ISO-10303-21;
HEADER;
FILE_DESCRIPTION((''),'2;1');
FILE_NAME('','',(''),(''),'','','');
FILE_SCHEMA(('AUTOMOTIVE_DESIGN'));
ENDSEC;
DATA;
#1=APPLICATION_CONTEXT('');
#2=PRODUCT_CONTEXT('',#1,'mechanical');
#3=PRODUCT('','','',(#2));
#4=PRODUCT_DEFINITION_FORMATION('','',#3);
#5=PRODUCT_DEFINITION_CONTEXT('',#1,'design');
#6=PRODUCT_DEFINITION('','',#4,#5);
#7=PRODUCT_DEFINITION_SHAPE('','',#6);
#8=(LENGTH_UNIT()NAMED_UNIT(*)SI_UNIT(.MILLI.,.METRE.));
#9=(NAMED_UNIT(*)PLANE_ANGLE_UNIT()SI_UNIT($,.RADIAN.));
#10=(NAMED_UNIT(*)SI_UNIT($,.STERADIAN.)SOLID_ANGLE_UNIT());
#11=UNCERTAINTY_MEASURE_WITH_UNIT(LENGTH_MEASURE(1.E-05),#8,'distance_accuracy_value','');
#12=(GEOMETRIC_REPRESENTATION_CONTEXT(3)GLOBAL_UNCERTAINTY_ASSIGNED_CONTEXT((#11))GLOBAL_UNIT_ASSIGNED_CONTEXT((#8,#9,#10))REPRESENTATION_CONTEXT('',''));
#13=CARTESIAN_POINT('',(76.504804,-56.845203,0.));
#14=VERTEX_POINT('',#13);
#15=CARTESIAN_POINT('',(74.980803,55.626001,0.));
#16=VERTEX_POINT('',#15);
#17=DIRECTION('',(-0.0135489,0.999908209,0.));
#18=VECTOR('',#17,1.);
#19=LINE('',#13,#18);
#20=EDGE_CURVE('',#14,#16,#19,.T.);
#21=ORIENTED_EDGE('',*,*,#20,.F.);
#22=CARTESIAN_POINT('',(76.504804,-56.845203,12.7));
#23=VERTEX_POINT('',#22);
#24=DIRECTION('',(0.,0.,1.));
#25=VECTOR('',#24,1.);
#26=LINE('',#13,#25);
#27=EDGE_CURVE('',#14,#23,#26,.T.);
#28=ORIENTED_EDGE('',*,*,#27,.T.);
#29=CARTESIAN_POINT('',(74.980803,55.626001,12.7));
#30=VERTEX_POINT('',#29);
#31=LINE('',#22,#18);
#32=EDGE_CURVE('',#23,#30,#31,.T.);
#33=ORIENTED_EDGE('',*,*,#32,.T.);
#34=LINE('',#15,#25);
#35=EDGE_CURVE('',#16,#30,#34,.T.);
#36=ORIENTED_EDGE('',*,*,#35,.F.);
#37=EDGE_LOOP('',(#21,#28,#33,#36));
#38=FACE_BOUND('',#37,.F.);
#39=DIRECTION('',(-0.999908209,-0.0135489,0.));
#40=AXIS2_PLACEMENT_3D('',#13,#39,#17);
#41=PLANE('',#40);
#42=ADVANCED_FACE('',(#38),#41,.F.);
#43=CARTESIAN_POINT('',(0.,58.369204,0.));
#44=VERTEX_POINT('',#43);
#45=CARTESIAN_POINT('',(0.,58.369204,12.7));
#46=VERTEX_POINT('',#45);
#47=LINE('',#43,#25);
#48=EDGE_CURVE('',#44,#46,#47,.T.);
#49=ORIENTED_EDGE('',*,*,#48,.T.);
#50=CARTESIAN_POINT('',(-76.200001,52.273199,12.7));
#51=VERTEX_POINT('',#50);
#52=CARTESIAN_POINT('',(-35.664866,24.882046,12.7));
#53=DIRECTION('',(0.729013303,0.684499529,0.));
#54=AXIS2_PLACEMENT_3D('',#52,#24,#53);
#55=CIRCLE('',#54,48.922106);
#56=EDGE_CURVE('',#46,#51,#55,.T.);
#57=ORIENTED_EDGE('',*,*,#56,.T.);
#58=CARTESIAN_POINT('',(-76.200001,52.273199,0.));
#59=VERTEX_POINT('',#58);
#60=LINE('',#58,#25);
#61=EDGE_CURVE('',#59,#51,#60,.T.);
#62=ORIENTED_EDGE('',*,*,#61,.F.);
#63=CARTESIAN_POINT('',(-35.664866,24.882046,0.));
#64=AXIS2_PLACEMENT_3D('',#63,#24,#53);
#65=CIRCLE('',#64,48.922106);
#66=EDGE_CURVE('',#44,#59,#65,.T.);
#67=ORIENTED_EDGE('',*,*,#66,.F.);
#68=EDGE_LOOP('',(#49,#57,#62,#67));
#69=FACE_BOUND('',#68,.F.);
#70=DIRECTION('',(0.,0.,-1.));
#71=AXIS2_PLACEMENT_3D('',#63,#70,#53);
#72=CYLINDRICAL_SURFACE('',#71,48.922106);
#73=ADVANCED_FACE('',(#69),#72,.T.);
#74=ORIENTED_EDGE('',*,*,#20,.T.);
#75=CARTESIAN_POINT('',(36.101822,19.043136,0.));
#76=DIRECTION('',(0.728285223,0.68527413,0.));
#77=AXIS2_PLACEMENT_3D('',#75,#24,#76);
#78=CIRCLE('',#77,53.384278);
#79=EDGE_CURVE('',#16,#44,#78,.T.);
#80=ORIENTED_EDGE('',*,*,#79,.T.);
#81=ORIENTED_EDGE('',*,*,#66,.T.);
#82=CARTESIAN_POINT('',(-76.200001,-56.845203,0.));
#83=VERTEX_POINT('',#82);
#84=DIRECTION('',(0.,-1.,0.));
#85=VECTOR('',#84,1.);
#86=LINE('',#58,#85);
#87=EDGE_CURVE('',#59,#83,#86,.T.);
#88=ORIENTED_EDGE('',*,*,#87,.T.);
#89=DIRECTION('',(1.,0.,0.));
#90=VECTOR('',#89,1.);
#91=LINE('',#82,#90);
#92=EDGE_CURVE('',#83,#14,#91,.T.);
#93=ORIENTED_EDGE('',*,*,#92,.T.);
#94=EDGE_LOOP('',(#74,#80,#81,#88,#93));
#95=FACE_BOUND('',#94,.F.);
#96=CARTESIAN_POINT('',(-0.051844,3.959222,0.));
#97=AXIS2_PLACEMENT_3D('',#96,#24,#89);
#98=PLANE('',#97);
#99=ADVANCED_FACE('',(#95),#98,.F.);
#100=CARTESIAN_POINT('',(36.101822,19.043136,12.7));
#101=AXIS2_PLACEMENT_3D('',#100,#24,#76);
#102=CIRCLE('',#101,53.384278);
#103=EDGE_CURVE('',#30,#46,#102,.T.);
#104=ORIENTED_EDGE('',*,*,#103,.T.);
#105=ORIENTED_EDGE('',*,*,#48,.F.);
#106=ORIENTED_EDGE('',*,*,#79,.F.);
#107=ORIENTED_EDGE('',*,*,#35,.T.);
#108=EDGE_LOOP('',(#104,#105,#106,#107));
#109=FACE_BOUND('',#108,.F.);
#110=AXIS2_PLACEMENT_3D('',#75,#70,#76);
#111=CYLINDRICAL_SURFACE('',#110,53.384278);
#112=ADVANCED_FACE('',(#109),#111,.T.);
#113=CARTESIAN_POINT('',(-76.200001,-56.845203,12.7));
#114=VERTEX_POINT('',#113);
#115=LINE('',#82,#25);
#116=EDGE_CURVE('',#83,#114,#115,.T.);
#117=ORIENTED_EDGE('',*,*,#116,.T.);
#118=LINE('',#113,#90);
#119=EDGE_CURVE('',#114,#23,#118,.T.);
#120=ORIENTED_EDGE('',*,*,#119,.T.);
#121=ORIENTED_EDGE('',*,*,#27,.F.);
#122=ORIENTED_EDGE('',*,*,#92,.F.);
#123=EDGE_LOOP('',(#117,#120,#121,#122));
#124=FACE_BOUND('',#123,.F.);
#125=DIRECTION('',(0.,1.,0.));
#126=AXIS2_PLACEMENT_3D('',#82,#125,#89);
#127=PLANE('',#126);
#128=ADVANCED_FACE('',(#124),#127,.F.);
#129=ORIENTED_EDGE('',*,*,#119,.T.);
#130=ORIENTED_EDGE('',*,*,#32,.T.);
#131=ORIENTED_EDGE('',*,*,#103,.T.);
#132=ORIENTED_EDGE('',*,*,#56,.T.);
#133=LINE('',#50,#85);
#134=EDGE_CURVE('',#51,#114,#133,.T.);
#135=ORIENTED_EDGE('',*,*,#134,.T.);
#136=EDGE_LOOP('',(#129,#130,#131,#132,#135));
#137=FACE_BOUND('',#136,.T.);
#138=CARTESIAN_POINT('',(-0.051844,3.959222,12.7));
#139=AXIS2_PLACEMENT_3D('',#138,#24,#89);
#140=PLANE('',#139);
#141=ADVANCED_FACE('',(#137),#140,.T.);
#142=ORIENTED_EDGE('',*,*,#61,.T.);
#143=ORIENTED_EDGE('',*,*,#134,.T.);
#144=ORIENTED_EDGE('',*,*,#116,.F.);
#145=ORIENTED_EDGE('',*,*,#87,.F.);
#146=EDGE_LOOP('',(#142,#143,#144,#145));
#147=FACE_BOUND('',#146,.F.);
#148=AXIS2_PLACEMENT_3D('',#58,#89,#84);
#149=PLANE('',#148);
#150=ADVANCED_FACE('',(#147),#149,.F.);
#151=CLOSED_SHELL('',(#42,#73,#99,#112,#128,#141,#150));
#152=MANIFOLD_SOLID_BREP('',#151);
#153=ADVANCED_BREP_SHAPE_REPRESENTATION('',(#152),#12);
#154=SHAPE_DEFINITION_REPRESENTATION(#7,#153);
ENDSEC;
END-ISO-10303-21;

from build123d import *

# Parameters (mm, degrees)
F1_DEPTH = 12.7


with BuildPart() as f1:
    # F0 (on Top) → F1 (new body)
    with BuildSketch(Plane.XY):
        with BuildLine():
            ThreePointArc((0, 58.369204), (-39.566173, 73.648348), (-76.200001, 52.273199))
            Line((-76.200001, 52.273199), (-76.200001, -56.845203))
            Line((-76.200001, -56.845203), (76.504804, -56.845203))
            Line((76.504804, -56.845203), (74.980803, 55.626001))
            ThreePointArc((74.980803, 55.626001), (38.053602, 72.391723), (0, 58.369204))
        make_face()
    extrude(amount=F1_DEPTH)


solid = f1.part
